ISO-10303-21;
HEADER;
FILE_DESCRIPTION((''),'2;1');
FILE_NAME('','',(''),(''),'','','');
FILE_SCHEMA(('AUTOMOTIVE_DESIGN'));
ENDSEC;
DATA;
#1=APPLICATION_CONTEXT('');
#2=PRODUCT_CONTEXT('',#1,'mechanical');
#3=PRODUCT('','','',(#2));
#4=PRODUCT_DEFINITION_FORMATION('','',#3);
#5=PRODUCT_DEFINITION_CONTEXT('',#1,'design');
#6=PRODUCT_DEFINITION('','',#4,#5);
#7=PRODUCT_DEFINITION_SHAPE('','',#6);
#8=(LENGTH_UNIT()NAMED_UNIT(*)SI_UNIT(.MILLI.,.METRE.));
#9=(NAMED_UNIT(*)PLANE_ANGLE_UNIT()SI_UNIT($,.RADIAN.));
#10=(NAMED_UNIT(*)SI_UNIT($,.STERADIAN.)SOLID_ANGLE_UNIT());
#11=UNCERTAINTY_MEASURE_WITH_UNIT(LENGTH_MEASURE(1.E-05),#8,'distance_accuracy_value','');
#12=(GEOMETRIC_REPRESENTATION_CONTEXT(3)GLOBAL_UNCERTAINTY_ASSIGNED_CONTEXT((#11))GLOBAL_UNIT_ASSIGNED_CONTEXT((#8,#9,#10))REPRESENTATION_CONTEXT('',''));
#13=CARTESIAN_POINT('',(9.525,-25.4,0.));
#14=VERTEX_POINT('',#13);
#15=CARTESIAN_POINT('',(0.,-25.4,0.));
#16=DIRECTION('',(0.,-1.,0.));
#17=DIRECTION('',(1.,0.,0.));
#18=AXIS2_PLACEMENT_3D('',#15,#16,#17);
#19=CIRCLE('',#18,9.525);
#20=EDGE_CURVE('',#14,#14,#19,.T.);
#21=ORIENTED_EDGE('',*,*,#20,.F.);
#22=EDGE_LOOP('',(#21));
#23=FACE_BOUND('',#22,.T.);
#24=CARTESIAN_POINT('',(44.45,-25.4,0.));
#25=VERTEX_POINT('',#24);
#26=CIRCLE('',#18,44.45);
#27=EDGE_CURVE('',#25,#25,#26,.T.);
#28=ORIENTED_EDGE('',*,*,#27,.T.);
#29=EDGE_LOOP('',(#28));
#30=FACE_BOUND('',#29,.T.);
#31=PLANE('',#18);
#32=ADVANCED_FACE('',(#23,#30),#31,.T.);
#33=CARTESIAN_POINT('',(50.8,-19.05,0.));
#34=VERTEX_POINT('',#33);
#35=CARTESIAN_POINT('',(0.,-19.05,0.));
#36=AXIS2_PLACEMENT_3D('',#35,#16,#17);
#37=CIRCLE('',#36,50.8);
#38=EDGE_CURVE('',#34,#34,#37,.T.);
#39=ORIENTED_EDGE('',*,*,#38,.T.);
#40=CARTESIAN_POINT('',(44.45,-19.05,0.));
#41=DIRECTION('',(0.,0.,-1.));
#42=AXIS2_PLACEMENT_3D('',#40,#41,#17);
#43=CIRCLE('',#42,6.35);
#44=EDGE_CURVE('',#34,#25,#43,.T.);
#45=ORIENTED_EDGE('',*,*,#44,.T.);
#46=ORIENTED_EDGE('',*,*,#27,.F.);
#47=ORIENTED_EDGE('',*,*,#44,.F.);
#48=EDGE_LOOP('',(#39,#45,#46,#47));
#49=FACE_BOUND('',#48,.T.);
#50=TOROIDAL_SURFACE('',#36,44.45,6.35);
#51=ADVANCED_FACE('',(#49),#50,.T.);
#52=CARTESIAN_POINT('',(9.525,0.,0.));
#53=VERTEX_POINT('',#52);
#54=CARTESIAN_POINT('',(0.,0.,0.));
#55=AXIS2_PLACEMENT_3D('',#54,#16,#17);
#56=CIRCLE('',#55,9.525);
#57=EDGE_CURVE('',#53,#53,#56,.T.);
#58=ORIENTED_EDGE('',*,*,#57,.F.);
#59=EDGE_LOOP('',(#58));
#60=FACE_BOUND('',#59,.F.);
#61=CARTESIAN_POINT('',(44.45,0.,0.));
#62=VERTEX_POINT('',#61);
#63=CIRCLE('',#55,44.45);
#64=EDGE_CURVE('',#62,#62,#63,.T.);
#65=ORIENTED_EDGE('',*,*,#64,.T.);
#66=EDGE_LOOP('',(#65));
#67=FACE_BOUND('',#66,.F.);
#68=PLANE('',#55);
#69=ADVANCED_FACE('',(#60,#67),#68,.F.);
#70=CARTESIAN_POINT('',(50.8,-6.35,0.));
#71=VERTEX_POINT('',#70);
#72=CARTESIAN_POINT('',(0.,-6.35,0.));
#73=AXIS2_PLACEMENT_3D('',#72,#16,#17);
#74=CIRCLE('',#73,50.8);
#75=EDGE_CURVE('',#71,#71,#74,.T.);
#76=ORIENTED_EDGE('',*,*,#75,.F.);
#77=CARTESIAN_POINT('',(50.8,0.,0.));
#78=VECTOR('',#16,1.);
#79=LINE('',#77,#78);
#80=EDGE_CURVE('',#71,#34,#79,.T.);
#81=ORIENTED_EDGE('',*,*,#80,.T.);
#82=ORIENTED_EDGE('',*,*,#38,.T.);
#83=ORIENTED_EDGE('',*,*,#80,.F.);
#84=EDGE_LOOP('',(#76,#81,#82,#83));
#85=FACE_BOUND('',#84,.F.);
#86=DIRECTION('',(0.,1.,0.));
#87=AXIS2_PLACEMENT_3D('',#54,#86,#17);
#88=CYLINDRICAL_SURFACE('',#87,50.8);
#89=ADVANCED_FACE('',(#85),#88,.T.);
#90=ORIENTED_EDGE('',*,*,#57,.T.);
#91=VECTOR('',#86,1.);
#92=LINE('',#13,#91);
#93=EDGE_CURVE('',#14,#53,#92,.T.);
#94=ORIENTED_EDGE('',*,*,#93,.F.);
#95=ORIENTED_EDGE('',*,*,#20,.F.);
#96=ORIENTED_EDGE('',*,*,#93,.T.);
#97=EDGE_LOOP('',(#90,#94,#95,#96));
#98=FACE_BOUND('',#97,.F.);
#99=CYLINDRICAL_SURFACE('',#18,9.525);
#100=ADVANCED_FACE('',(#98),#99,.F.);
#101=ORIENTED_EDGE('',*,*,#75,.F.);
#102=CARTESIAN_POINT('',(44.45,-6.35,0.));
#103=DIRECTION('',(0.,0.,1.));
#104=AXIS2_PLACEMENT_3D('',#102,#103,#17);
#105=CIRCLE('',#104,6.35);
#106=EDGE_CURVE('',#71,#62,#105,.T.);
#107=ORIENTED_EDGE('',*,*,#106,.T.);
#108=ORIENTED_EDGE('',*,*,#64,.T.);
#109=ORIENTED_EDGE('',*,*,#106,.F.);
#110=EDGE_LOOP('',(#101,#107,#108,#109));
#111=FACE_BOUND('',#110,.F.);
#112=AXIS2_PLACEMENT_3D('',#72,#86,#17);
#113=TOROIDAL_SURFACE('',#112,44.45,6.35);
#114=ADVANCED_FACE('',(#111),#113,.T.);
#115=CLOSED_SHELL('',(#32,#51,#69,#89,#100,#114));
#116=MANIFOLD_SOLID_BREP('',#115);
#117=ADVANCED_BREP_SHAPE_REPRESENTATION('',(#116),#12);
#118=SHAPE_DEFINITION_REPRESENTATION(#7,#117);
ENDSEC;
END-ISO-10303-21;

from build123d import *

# Parameters (mm, degrees)
F0_R     = 50.8
F1_DEPTH = 25.4
F2_R     = 9.525
F3_DEPTH = 25.401
F4_R     = 6.35


with BuildPart() as f1:
    # F0 (on Front) → F1 (new body)
    with BuildSketch(Plane.XZ):
        Circle(F0_R)
    extrude(amount=F1_DEPTH)

    # F2 (on face) → F3 (cut, through all)
    with BuildSketch(Plane.XZ.offset(25.4)):
        Circle(F2_R)
    extrude(amount=-F3_DEPTH, mode=Mode.SUBTRACT)

    # F4
    f4_edges = [f1.edges().sort_by_distance(p)[0] for p in [
        (-50.8, -25.4, 0),
        (-50.8, 0, 0),
    ]]
    fillet(f4_edges, radius=F4_R)


solid = f1.part
